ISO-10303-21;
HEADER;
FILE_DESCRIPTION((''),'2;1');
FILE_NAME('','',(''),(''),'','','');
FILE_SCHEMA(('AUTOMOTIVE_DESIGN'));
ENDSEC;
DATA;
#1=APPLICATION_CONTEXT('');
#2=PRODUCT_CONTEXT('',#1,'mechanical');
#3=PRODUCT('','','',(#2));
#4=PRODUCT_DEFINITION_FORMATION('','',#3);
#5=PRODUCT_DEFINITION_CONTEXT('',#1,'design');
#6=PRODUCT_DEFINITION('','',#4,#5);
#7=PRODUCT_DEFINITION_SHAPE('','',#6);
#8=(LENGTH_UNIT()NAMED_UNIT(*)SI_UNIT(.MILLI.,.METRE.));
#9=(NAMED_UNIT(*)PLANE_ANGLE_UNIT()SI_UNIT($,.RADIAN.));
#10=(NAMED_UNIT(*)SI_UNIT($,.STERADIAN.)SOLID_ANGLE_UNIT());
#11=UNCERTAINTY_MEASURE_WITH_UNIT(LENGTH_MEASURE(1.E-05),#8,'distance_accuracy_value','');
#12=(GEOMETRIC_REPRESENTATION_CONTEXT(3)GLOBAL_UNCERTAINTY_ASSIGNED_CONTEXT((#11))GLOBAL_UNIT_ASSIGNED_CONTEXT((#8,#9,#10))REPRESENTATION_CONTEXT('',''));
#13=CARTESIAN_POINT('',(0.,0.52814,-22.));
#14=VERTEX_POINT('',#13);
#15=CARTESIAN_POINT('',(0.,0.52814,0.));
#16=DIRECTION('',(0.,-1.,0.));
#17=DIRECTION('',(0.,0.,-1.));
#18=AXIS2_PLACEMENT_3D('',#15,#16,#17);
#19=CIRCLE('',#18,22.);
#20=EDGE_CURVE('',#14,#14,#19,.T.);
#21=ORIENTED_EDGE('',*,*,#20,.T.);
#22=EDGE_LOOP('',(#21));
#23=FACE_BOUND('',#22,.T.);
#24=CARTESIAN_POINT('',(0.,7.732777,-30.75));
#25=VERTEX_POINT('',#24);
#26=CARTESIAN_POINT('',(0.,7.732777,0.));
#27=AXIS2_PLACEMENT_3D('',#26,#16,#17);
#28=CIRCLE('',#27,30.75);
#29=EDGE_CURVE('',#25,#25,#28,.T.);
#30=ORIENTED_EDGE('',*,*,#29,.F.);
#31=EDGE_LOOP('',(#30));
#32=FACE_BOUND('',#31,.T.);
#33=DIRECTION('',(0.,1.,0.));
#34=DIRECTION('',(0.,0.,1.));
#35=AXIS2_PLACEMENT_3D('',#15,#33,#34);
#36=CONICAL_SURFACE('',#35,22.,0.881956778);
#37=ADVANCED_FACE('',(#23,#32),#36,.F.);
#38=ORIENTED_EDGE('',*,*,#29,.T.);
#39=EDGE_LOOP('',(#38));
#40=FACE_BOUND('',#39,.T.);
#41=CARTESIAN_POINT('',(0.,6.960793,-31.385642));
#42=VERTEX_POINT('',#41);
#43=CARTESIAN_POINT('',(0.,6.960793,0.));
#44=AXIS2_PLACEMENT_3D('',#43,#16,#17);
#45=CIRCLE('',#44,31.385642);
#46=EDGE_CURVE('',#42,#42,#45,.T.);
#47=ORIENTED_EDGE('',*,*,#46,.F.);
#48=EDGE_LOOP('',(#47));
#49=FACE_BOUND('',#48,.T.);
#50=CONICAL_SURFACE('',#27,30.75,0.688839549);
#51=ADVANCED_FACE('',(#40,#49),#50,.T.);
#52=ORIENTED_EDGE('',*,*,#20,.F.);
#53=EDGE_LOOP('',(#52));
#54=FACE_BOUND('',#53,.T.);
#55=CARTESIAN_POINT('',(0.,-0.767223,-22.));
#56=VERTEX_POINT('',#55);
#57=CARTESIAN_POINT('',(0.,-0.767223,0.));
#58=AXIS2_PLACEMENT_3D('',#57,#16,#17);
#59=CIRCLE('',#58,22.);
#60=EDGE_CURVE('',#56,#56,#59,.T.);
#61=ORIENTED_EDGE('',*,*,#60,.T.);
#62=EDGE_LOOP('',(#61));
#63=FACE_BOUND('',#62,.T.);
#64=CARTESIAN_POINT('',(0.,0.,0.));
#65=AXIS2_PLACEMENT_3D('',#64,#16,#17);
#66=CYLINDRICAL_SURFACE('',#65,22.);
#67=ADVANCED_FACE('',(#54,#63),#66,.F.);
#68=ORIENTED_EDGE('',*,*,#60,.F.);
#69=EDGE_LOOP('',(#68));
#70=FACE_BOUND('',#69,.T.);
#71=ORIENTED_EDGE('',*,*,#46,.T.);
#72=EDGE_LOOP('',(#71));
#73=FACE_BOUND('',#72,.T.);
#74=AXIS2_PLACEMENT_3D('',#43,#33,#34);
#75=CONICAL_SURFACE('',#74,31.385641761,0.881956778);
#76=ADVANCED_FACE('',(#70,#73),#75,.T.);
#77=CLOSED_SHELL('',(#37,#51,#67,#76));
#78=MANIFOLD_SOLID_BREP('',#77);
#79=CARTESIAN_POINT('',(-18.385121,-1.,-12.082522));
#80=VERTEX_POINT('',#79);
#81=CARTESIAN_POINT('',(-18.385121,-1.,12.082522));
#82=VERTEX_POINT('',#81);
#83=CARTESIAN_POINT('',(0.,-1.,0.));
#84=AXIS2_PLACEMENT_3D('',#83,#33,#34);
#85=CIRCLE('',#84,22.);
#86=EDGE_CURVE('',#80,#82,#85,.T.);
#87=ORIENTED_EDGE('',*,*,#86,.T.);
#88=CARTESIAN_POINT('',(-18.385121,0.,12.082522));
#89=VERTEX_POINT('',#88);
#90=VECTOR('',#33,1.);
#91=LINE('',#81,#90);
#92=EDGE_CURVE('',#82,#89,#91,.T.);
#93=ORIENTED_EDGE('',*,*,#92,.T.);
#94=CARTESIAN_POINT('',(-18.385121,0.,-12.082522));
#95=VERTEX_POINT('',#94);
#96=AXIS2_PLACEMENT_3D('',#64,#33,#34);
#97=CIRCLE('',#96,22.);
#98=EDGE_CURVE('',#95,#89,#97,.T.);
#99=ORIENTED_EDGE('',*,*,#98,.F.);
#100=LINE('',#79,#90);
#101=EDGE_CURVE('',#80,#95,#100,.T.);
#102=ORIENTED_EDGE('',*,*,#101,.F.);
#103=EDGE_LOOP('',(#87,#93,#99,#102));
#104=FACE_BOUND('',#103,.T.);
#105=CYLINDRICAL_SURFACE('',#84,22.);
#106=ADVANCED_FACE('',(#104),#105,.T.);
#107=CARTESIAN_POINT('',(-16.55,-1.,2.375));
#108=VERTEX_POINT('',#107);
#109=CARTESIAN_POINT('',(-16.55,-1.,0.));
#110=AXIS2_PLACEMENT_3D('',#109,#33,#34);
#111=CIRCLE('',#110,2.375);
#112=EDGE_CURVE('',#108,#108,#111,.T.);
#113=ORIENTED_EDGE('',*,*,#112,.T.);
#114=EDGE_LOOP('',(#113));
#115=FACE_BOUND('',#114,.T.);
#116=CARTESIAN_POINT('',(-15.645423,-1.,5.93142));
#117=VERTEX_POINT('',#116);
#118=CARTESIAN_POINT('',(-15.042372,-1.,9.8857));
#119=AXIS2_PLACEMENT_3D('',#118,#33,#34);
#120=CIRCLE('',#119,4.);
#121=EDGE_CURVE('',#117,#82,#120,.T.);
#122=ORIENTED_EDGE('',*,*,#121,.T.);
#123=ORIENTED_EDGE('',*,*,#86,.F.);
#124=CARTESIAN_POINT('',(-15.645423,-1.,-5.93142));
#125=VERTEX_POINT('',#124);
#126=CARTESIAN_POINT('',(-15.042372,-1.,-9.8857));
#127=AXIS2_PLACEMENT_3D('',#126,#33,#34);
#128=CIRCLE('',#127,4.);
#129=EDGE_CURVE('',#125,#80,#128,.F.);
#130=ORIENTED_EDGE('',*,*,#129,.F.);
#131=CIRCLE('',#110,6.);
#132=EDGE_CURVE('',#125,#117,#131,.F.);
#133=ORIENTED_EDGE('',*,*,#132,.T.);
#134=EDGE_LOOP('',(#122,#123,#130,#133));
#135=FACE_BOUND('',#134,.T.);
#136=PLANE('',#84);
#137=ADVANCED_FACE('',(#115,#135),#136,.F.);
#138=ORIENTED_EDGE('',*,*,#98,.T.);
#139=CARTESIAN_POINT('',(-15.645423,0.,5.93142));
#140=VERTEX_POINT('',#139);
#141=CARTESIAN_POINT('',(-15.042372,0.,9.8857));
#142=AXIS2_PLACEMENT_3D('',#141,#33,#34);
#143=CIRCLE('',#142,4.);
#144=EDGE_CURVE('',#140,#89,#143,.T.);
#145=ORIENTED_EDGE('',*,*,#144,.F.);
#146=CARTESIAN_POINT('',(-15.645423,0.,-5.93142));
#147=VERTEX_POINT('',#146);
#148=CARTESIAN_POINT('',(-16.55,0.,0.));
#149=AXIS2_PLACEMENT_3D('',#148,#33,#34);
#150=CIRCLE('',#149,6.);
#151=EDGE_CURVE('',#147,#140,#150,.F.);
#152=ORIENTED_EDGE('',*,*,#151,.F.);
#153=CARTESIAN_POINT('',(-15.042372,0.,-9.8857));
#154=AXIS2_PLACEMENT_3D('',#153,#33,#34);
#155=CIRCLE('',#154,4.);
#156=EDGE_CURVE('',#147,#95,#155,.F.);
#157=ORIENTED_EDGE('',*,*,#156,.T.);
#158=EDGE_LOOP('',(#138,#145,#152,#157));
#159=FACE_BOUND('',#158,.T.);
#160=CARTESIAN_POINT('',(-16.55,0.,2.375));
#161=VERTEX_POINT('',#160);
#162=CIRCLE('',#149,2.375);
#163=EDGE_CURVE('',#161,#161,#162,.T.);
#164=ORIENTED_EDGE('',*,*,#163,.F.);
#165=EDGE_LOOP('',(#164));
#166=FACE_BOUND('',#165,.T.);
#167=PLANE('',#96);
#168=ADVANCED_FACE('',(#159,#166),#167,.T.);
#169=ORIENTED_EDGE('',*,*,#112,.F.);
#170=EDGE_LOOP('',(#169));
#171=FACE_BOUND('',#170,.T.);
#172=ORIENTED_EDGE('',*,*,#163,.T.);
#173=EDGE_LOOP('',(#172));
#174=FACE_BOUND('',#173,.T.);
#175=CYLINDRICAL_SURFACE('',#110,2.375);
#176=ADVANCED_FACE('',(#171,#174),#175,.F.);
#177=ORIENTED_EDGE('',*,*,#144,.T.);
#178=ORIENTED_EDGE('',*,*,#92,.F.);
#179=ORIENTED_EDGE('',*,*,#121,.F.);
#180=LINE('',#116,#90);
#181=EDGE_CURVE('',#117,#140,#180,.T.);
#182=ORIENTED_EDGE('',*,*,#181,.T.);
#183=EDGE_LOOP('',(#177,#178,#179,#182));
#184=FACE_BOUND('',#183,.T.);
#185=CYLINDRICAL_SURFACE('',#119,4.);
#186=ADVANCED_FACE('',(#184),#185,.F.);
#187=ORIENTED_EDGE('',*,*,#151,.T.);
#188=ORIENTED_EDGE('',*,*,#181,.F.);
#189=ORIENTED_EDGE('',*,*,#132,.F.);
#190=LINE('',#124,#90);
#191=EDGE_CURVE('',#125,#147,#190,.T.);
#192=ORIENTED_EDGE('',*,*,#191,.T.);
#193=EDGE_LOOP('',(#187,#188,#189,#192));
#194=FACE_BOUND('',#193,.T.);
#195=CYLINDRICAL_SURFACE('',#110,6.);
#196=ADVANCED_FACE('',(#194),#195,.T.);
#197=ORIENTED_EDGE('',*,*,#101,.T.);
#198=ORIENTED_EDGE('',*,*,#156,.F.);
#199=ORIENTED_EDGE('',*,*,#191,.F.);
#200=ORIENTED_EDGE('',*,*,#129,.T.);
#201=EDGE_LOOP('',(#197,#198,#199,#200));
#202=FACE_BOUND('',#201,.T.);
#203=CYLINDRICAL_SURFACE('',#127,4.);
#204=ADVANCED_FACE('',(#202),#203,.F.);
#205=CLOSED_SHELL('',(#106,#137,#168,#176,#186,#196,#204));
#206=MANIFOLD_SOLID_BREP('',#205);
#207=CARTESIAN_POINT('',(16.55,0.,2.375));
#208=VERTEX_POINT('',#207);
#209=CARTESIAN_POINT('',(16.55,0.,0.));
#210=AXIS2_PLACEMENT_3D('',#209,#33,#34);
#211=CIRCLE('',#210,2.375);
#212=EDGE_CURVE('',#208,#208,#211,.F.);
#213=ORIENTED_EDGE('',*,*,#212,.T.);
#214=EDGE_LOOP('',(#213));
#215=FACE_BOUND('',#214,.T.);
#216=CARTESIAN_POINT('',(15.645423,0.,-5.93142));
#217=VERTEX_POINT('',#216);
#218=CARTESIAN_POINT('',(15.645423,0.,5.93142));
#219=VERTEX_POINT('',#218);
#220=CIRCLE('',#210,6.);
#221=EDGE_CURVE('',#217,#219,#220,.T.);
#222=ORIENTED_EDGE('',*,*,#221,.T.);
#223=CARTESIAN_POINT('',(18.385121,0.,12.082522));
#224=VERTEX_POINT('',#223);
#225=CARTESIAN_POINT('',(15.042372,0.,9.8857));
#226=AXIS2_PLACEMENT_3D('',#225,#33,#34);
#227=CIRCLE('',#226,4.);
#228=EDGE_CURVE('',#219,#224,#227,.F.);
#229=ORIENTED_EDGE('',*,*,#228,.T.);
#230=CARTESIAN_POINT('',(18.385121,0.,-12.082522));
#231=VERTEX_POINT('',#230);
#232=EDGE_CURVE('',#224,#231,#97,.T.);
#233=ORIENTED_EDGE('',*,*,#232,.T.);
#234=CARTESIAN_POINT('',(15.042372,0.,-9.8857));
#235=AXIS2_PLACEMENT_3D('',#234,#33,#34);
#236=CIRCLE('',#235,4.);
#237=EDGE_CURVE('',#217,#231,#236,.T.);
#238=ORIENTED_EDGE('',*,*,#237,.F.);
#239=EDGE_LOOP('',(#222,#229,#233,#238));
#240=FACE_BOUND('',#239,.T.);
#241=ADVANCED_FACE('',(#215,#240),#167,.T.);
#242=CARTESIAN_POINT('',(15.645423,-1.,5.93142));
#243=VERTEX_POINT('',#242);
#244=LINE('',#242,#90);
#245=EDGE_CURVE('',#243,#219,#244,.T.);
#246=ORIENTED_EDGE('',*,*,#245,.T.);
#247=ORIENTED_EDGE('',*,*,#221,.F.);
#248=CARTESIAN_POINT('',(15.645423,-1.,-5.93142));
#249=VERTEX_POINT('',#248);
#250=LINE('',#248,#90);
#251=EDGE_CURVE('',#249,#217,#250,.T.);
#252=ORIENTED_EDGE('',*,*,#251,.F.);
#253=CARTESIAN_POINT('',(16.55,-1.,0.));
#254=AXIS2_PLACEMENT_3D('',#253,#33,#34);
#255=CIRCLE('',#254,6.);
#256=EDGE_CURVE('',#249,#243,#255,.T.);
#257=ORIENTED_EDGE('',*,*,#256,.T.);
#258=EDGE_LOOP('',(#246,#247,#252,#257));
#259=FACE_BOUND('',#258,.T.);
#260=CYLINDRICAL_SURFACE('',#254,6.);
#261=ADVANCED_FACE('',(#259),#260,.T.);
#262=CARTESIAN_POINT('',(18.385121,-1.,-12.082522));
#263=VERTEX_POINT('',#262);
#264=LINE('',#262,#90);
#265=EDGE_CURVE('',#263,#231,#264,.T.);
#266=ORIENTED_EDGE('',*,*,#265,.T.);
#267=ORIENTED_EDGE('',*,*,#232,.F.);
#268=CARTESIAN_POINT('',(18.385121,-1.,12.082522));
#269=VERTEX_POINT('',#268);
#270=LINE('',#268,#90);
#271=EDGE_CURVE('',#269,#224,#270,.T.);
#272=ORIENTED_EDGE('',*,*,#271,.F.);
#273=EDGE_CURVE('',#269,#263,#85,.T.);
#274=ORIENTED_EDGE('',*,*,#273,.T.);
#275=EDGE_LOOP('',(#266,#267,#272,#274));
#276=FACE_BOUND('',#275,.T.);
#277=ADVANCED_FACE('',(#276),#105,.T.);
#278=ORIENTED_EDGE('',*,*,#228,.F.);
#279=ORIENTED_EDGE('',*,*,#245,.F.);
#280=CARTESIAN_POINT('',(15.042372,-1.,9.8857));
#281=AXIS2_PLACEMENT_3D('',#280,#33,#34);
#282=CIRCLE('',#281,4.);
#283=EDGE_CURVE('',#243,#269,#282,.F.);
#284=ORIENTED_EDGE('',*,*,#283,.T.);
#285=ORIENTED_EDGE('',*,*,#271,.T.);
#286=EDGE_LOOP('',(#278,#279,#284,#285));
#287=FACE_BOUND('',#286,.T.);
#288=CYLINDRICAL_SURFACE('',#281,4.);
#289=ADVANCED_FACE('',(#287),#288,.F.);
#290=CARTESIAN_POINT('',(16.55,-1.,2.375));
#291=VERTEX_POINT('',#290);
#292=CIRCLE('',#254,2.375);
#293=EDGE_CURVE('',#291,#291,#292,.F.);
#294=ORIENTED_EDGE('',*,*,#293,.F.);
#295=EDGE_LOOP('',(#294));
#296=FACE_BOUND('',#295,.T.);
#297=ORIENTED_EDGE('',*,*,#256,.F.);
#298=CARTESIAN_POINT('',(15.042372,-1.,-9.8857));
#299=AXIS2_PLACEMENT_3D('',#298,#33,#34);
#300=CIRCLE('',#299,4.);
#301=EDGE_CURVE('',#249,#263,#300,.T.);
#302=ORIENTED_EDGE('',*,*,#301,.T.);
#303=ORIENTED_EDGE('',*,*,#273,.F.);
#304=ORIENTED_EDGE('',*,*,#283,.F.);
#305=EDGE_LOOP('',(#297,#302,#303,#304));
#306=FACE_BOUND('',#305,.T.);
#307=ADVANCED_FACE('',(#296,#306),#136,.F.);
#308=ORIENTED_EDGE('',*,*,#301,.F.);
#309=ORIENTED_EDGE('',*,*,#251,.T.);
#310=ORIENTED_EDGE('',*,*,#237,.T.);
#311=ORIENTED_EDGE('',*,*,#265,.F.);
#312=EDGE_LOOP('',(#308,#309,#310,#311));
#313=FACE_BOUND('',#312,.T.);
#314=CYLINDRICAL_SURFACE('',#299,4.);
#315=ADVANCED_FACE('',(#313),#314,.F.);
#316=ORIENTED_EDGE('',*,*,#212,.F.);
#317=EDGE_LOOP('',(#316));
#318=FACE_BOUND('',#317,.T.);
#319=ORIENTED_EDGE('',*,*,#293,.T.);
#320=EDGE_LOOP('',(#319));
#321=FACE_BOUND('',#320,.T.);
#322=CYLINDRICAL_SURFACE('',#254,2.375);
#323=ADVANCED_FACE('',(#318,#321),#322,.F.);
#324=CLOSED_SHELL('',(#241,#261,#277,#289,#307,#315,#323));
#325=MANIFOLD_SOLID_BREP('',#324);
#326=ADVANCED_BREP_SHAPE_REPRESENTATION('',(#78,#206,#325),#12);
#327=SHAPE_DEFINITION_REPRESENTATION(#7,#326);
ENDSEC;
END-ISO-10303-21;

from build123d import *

# Parameters (mm, degrees)
ESQUISSE2_R          = 2.375
BOSS_EXTRU_3_DEPTH   = 1
BOSS_EXTRU_3_2_DEPTH = 1


with BuildPart() as part:
    # Esquisse1 → Révolution1 (revolve)
    with BuildSketch(Plane(origin=(0, 0, 0), x_dir=(0, 0, -1), z_dir=(1, 0, 0)), mode=Mode.PRIVATE) as r_volution1_sk:
        Polygon((-22, -0.767223261), (-31.385641761, 6.960792574), (-30.75, 7.732776739), (-22, 0.528140096), align=None)
    revolve(r_volution1_sk.sketch.rotate(Axis((0, 0, 0), (0, 1, 0)), 180), axis=Axis((0, 0, 0), (0, 1, 0)))


with BuildPart() as body_2:
    # Esquisse2 → Boss.-Extru.3 (new body)
    with BuildSketch(Plane(origin=(0, 0, 0), x_dir=(1, 0, 0), z_dir=(0, 1, 0))):
        with BuildLine():
            ThreePointArc((-15.645422961, -5.931419761), (-10.55, 0), (-15.645422961, 5.931419761))
            ThreePointArc((-15.645422961, 5.931419761), (-18.696321447, 8.258232083), (-18.385120846, 12.082521735))
            ThreePointArc((-18.385120846, 12.082521735), (-22, 0), (-18.385120846, -12.082521735))
            ThreePointArc((-18.385120846, -12.082521735), (-18.696321447, -8.258232083), (-15.645422961, -5.931419761))
        make_face()
        with Locations(Location((-16.55, 0, 0), (0, 0, 270))):
            Circle(ESQUISSE2_R, mode=Mode.SUBTRACT)
    extrude(amount=-BOSS_EXTRU_3_DEPTH)


with BuildPart() as body_3:
    # Esquisse2 → Boss.-Extru.3 2 (new body)
    with BuildSketch(Plane(origin=(0, 0, 0), x_dir=(1, 0, 0), z_dir=(0, 1, 0))):
        with BuildLine():
            ThreePointArc((22, 0), (21.076914606, 6.30584417), (18.385120846, 12.082521735))
            ThreePointArc((18.385120846, 12.082521735), (18.696321447, 8.258232083), (15.645422961, 5.931419761))
            ThreePointArc((15.645422961, 5.931419761), (10.55, 0), (15.645422961, -5.931419761))
            ThreePointArc((15.645422961, -5.931419761), (18.696321447, -8.258232083), (18.385120846, -12.082521735))
            ThreePointArc((18.385120846, -12.082521735), (21.076914606, -6.30584417), (22, 0))
        make_face()
        with Locations(Location((16.55, 0, 0), (0, 0, 270))):
            Circle(ESQUISSE2_R, mode=Mode.SUBTRACT)
    extrude(amount=-BOSS_EXTRU_3_2_DEPTH)


solid = Compound([part.part, body_2.part, body_3.part])
